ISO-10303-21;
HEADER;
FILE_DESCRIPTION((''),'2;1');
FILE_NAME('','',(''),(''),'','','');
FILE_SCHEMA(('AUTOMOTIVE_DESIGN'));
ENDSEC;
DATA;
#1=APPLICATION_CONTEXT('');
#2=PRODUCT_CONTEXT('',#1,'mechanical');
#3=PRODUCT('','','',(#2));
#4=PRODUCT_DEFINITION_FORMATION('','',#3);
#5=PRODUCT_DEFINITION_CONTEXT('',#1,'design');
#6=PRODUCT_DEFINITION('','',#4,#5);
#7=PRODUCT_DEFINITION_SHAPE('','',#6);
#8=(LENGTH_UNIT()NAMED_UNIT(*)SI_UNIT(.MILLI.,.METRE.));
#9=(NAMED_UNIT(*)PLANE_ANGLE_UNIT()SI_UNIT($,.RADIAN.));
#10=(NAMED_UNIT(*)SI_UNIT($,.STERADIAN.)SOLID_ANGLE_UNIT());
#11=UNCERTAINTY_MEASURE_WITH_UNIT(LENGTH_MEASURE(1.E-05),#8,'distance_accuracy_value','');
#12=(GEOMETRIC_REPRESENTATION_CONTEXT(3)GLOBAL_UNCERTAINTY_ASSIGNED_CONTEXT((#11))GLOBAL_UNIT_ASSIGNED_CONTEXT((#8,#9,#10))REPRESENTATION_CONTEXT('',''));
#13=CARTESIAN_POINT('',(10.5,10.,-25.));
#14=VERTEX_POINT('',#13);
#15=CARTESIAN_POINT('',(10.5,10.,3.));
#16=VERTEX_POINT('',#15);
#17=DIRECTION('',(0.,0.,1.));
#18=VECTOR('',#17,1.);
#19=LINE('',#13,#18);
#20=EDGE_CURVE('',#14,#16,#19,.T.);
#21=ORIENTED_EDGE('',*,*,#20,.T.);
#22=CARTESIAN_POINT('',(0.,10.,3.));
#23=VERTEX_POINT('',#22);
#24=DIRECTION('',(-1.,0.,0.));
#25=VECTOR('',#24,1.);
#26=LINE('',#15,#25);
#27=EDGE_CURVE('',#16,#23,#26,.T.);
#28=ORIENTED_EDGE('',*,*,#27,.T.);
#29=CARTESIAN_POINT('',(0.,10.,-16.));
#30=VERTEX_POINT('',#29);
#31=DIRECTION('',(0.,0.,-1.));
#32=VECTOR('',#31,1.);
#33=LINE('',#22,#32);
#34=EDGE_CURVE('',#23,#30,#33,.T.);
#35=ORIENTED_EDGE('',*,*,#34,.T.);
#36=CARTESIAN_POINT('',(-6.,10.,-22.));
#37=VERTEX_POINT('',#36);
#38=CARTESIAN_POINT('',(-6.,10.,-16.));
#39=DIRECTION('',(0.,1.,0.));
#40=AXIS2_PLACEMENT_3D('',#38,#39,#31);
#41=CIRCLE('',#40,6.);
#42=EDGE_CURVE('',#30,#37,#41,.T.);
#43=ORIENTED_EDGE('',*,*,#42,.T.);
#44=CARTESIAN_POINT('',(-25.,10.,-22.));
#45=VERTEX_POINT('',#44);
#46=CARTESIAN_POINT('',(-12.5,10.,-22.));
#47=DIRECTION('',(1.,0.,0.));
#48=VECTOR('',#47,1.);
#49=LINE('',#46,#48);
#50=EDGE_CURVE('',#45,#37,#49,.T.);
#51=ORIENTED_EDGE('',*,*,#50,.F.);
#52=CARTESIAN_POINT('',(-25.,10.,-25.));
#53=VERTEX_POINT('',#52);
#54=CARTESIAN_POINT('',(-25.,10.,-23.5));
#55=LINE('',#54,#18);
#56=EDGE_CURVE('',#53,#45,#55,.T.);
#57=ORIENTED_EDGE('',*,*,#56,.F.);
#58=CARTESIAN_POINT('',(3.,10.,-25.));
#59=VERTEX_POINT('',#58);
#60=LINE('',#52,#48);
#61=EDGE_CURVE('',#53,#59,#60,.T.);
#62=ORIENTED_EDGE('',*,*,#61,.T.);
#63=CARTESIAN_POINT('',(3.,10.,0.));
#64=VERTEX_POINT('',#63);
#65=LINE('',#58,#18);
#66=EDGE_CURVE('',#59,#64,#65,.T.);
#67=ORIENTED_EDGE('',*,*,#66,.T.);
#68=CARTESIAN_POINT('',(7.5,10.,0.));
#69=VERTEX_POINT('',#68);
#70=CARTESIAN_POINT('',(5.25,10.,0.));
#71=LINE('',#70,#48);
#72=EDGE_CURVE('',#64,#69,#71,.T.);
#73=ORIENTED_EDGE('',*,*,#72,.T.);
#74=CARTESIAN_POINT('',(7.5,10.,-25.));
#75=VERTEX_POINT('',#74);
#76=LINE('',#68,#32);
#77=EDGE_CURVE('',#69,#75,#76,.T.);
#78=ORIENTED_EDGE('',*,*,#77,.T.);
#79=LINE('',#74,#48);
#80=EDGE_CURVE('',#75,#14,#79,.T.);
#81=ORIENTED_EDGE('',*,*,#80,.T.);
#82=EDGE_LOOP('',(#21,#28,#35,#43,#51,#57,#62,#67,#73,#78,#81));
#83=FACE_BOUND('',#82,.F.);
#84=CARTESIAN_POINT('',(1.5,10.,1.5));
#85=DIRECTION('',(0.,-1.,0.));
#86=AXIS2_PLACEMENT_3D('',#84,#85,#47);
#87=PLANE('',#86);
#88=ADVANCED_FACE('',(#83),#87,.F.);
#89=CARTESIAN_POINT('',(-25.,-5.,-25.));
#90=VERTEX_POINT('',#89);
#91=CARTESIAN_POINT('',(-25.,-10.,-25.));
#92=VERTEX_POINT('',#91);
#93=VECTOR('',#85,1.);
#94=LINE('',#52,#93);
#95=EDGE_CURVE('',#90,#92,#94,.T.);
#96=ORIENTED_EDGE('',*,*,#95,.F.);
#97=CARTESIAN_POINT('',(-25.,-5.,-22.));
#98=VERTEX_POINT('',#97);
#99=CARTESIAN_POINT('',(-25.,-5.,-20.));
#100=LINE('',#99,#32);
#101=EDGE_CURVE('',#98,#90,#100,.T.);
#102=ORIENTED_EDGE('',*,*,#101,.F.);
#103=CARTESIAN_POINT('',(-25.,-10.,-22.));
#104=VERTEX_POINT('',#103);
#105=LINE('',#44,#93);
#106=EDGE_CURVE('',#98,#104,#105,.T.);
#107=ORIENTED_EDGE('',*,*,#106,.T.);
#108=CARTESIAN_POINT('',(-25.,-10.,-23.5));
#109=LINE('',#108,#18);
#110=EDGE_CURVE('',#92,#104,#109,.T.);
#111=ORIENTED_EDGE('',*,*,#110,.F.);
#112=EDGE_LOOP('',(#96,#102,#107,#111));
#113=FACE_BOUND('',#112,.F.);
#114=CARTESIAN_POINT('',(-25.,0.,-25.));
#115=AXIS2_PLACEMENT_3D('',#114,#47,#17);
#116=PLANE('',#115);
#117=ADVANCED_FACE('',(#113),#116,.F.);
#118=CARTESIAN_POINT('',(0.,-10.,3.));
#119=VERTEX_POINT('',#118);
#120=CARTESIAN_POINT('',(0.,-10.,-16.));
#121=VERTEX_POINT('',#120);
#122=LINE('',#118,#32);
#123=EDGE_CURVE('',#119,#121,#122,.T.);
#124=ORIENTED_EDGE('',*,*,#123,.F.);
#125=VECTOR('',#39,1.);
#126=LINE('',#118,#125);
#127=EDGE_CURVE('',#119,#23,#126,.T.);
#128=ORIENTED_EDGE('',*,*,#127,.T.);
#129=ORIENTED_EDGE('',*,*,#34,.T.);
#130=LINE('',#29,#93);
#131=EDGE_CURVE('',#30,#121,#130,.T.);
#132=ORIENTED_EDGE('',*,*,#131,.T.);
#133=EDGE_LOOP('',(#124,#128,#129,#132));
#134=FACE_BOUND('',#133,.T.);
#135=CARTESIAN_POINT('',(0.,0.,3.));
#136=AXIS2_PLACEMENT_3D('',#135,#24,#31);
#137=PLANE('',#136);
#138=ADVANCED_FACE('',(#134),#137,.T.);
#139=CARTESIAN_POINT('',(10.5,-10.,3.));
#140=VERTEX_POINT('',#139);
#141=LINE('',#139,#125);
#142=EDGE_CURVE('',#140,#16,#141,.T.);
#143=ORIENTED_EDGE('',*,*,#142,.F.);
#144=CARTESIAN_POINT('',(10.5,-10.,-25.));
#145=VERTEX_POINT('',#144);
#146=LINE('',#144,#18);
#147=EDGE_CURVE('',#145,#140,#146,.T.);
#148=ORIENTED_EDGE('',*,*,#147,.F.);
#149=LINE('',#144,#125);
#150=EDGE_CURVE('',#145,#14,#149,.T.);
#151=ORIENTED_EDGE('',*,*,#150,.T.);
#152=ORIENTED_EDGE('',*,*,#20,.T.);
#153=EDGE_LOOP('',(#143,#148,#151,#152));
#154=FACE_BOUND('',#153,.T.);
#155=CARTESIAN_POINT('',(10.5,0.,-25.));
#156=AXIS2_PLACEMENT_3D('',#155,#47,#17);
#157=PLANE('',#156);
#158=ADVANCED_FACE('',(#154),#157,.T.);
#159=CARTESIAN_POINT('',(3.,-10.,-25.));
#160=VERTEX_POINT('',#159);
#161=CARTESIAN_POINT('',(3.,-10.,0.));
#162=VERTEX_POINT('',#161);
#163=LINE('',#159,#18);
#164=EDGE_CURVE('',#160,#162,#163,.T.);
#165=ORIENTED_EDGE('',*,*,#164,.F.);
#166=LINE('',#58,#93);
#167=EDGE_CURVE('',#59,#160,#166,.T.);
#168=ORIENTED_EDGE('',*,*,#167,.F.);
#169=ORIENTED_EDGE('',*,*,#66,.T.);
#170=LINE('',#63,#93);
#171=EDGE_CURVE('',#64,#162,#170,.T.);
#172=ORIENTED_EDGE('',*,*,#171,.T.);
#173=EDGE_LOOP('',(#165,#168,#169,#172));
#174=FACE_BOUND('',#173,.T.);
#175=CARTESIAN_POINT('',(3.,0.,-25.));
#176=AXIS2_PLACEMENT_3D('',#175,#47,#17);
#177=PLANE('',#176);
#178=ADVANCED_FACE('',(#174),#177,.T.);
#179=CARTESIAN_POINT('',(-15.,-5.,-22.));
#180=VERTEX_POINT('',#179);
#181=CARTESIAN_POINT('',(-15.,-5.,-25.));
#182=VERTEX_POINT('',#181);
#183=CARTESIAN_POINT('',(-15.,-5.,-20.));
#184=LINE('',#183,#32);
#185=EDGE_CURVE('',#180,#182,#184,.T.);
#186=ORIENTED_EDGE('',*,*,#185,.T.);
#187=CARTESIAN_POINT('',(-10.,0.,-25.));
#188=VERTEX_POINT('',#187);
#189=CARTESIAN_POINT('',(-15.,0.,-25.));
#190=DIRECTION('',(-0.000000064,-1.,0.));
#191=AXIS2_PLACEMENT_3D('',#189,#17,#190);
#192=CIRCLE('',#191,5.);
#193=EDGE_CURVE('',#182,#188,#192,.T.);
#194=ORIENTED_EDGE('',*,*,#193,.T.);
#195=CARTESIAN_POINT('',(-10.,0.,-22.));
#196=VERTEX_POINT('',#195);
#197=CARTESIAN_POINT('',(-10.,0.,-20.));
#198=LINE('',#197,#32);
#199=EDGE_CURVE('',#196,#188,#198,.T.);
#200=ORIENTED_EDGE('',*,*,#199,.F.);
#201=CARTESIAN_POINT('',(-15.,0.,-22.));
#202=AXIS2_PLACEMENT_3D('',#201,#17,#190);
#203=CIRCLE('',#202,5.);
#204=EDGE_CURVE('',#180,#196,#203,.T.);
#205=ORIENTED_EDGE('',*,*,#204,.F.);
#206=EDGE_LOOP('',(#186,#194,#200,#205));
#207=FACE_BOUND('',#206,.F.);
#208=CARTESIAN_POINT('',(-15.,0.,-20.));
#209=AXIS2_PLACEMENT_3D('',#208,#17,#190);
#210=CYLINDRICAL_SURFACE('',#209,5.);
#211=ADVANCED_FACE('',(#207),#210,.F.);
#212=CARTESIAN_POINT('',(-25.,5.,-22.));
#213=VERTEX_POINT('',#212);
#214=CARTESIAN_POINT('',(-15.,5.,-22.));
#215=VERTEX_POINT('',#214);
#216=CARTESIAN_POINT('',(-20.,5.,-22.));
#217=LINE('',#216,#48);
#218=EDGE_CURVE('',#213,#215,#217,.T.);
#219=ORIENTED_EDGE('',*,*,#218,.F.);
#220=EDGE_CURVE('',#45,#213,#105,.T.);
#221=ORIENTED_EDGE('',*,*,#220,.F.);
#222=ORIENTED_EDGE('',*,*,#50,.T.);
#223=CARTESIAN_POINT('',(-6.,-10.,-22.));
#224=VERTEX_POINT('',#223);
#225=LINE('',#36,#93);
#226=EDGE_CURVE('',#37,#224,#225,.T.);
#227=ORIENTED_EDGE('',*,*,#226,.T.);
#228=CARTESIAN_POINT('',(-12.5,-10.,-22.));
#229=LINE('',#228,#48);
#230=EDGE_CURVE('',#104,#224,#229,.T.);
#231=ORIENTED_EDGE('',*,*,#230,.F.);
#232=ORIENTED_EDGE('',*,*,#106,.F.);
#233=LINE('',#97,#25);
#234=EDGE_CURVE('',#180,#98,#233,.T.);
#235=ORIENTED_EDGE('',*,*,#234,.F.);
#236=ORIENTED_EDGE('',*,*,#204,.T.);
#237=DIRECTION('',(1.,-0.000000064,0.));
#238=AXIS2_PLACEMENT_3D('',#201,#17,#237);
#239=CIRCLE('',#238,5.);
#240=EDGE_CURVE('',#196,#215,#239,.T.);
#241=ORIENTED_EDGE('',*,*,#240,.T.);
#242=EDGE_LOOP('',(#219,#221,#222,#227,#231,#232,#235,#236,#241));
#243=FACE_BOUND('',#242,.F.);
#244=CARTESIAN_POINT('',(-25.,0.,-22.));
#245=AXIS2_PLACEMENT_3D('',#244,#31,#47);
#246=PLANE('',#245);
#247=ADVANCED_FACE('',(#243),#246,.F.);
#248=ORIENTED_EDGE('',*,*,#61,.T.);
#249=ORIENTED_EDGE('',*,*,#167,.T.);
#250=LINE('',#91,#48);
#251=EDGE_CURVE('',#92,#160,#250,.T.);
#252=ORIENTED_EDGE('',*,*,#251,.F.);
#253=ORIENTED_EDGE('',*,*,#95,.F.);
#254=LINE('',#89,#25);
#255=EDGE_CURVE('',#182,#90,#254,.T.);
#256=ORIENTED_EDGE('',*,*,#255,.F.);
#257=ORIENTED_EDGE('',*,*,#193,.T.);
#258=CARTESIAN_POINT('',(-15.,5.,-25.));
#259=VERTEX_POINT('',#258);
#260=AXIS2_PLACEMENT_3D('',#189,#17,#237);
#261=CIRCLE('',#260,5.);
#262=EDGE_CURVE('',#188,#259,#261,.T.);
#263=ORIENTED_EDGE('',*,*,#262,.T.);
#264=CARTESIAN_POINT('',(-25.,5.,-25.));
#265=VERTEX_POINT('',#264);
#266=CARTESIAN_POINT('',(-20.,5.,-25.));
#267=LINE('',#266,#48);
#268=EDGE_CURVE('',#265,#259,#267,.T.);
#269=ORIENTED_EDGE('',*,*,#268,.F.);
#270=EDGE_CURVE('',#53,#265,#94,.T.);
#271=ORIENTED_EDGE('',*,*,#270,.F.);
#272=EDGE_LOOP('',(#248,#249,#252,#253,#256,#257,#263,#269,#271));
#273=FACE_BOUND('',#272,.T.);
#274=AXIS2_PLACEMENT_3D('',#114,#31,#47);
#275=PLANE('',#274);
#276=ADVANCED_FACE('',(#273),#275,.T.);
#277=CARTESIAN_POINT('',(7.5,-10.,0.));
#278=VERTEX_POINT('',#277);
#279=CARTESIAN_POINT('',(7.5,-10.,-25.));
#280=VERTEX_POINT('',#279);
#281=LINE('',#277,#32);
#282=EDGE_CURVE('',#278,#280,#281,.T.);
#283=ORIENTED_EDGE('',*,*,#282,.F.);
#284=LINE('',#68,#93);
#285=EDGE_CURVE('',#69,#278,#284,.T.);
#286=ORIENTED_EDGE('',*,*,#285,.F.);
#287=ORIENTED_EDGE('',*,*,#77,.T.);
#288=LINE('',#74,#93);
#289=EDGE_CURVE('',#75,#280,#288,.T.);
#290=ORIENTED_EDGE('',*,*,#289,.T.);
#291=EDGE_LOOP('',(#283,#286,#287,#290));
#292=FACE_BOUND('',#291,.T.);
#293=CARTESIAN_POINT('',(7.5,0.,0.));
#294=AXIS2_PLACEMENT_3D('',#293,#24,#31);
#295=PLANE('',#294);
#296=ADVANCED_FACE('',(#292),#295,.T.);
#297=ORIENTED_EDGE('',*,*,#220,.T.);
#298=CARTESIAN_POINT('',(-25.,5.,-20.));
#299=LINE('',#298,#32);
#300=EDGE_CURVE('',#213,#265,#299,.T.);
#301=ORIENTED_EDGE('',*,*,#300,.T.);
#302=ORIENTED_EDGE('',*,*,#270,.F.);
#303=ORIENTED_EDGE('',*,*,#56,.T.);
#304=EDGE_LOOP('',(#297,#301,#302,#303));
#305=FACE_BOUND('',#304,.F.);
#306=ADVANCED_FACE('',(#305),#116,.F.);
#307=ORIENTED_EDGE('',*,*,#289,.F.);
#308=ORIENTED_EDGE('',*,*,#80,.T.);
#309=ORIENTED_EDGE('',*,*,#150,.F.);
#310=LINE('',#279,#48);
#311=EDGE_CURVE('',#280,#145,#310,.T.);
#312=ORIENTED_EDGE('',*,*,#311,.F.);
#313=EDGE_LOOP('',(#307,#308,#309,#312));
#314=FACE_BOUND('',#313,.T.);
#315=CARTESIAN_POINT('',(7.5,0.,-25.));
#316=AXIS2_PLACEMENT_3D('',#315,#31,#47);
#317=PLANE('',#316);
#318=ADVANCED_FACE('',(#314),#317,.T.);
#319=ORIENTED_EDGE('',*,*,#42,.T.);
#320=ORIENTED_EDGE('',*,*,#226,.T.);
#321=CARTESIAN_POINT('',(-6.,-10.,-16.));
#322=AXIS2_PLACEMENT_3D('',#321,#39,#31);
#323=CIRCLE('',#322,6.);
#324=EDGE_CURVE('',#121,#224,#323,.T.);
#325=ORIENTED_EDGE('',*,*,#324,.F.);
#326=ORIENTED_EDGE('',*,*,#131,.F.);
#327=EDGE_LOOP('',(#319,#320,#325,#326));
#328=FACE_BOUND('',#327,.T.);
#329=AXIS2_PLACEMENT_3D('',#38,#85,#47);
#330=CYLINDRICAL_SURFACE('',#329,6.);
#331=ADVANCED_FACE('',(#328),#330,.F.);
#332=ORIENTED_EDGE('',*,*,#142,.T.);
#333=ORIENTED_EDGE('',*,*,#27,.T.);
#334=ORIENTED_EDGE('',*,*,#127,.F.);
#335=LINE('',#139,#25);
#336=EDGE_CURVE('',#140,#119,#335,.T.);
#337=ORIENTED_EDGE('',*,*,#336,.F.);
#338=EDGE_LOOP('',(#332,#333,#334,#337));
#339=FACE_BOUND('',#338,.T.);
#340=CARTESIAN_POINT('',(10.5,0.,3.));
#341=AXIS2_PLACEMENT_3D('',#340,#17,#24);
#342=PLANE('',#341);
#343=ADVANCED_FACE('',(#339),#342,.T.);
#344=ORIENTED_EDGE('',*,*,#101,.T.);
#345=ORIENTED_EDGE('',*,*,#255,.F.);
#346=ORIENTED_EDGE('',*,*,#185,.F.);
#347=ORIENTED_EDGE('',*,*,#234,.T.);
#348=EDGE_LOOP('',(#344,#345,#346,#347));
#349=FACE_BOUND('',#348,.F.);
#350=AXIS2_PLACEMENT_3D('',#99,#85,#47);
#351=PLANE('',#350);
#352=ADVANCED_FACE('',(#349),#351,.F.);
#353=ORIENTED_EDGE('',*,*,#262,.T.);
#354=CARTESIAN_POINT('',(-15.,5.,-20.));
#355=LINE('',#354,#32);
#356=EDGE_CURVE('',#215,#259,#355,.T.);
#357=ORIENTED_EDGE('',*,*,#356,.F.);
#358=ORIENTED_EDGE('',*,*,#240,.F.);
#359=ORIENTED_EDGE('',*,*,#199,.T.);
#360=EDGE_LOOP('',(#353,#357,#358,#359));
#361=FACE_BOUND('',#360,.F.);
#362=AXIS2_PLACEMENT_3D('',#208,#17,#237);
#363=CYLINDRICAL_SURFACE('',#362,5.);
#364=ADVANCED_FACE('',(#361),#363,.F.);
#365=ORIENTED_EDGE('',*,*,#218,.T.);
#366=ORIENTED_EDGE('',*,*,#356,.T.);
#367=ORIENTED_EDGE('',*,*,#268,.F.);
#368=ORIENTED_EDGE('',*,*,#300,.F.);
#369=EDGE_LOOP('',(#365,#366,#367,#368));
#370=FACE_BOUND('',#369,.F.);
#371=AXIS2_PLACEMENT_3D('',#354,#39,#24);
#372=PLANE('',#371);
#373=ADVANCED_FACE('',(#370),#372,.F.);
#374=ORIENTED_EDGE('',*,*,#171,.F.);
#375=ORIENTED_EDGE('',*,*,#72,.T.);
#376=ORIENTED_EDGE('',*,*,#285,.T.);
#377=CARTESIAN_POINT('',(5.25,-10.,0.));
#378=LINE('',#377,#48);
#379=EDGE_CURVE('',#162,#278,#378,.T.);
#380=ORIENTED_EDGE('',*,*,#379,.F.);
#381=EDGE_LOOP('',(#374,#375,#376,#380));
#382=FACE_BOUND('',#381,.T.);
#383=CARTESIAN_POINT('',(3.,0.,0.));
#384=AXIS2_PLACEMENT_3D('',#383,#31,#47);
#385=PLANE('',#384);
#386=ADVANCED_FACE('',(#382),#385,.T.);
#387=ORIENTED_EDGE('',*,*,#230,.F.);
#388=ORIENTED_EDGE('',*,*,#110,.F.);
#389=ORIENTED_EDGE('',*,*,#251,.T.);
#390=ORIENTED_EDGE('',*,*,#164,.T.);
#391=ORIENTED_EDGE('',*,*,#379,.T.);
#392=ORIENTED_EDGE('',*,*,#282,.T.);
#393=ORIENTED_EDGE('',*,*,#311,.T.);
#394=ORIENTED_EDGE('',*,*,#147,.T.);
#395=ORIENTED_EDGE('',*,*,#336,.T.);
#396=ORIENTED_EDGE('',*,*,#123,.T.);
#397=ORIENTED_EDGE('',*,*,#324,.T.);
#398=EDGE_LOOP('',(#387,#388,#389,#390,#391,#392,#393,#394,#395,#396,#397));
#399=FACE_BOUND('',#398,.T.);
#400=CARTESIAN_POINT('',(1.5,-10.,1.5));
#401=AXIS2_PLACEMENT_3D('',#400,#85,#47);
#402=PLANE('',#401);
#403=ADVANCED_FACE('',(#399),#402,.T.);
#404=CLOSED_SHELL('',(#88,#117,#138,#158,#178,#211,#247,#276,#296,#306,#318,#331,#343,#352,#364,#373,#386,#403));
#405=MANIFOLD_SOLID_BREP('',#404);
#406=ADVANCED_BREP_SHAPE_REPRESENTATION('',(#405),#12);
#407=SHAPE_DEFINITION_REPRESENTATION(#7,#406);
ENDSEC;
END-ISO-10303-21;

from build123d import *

# Parameters (mm, degrees)
F0_W          = 3
F0_H          = 3
F0_W_2        = 4.5
F0_W_3        = 25
F1_DEPTH      = 10
F1_DEPTH_BACK = 10
F4_DEPTH      = 10
F4_DEPTH_BACK = 10
F5_R          = 6


with BuildPart() as f1:
    # F0 (on Front) → F1 (new body, two sides)
    with BuildSketch(Plane.XZ) as f1_sk:
        with Locations((1.5, 1.5)):
            Rectangle(F0_W, F0_H)
        Polygon((3, 0), (0, 0), (0, -22), (0, -25), (3, -25), align=None)
        with Locations((5.25, 1.5)):
            Rectangle(F0_W_2, F0_H)
        with Locations((-12.5, -23.5)):
            Rectangle(F0_W_3, F0_H)
        Polygon((7.5, 3), (7.5, 0), (7.5, -25), (10.5, -25), (10.5, 3), align=None)
    extrude(amount=F1_DEPTH)
    extrude(f1_sk.sketch, amount=-F1_DEPTH_BACK)

    # F3 (on offset) → F4 (cut, two sides)
    with BuildSketch(Plane.XY.offset(-20)) as f4_sk:
        with BuildLine():
            ThreePointArc((-15, -5), (-11.464466, -3.535534), (-10, 0))
            Line((-10, 0), (-25, 0))
            Line((-25, 0), (-25, -5))
            Line((-25, -5), (-15, -5))
        make_face()
        with BuildLine():
            Line((-25, 0), (-10, 0))
            ThreePointArc((-10, 0), (-11.464466, 3.535534), (-15, 5))
            Line((-15, 5), (-25, 5))
            Line((-25, 5), (-25, 0))
        make_face()
    extrude(amount=F4_DEPTH, mode=Mode.SUBTRACT)
    extrude(f4_sk.sketch, amount=-F4_DEPTH_BACK, mode=Mode.SUBTRACT)

    # F5
    f5_edges = [f1.edges().sort_by_distance(p)[0] for p in [
        (0, 0, -22),
    ]]
    fillet(f5_edges, radius=F5_R)


solid = f1.part
